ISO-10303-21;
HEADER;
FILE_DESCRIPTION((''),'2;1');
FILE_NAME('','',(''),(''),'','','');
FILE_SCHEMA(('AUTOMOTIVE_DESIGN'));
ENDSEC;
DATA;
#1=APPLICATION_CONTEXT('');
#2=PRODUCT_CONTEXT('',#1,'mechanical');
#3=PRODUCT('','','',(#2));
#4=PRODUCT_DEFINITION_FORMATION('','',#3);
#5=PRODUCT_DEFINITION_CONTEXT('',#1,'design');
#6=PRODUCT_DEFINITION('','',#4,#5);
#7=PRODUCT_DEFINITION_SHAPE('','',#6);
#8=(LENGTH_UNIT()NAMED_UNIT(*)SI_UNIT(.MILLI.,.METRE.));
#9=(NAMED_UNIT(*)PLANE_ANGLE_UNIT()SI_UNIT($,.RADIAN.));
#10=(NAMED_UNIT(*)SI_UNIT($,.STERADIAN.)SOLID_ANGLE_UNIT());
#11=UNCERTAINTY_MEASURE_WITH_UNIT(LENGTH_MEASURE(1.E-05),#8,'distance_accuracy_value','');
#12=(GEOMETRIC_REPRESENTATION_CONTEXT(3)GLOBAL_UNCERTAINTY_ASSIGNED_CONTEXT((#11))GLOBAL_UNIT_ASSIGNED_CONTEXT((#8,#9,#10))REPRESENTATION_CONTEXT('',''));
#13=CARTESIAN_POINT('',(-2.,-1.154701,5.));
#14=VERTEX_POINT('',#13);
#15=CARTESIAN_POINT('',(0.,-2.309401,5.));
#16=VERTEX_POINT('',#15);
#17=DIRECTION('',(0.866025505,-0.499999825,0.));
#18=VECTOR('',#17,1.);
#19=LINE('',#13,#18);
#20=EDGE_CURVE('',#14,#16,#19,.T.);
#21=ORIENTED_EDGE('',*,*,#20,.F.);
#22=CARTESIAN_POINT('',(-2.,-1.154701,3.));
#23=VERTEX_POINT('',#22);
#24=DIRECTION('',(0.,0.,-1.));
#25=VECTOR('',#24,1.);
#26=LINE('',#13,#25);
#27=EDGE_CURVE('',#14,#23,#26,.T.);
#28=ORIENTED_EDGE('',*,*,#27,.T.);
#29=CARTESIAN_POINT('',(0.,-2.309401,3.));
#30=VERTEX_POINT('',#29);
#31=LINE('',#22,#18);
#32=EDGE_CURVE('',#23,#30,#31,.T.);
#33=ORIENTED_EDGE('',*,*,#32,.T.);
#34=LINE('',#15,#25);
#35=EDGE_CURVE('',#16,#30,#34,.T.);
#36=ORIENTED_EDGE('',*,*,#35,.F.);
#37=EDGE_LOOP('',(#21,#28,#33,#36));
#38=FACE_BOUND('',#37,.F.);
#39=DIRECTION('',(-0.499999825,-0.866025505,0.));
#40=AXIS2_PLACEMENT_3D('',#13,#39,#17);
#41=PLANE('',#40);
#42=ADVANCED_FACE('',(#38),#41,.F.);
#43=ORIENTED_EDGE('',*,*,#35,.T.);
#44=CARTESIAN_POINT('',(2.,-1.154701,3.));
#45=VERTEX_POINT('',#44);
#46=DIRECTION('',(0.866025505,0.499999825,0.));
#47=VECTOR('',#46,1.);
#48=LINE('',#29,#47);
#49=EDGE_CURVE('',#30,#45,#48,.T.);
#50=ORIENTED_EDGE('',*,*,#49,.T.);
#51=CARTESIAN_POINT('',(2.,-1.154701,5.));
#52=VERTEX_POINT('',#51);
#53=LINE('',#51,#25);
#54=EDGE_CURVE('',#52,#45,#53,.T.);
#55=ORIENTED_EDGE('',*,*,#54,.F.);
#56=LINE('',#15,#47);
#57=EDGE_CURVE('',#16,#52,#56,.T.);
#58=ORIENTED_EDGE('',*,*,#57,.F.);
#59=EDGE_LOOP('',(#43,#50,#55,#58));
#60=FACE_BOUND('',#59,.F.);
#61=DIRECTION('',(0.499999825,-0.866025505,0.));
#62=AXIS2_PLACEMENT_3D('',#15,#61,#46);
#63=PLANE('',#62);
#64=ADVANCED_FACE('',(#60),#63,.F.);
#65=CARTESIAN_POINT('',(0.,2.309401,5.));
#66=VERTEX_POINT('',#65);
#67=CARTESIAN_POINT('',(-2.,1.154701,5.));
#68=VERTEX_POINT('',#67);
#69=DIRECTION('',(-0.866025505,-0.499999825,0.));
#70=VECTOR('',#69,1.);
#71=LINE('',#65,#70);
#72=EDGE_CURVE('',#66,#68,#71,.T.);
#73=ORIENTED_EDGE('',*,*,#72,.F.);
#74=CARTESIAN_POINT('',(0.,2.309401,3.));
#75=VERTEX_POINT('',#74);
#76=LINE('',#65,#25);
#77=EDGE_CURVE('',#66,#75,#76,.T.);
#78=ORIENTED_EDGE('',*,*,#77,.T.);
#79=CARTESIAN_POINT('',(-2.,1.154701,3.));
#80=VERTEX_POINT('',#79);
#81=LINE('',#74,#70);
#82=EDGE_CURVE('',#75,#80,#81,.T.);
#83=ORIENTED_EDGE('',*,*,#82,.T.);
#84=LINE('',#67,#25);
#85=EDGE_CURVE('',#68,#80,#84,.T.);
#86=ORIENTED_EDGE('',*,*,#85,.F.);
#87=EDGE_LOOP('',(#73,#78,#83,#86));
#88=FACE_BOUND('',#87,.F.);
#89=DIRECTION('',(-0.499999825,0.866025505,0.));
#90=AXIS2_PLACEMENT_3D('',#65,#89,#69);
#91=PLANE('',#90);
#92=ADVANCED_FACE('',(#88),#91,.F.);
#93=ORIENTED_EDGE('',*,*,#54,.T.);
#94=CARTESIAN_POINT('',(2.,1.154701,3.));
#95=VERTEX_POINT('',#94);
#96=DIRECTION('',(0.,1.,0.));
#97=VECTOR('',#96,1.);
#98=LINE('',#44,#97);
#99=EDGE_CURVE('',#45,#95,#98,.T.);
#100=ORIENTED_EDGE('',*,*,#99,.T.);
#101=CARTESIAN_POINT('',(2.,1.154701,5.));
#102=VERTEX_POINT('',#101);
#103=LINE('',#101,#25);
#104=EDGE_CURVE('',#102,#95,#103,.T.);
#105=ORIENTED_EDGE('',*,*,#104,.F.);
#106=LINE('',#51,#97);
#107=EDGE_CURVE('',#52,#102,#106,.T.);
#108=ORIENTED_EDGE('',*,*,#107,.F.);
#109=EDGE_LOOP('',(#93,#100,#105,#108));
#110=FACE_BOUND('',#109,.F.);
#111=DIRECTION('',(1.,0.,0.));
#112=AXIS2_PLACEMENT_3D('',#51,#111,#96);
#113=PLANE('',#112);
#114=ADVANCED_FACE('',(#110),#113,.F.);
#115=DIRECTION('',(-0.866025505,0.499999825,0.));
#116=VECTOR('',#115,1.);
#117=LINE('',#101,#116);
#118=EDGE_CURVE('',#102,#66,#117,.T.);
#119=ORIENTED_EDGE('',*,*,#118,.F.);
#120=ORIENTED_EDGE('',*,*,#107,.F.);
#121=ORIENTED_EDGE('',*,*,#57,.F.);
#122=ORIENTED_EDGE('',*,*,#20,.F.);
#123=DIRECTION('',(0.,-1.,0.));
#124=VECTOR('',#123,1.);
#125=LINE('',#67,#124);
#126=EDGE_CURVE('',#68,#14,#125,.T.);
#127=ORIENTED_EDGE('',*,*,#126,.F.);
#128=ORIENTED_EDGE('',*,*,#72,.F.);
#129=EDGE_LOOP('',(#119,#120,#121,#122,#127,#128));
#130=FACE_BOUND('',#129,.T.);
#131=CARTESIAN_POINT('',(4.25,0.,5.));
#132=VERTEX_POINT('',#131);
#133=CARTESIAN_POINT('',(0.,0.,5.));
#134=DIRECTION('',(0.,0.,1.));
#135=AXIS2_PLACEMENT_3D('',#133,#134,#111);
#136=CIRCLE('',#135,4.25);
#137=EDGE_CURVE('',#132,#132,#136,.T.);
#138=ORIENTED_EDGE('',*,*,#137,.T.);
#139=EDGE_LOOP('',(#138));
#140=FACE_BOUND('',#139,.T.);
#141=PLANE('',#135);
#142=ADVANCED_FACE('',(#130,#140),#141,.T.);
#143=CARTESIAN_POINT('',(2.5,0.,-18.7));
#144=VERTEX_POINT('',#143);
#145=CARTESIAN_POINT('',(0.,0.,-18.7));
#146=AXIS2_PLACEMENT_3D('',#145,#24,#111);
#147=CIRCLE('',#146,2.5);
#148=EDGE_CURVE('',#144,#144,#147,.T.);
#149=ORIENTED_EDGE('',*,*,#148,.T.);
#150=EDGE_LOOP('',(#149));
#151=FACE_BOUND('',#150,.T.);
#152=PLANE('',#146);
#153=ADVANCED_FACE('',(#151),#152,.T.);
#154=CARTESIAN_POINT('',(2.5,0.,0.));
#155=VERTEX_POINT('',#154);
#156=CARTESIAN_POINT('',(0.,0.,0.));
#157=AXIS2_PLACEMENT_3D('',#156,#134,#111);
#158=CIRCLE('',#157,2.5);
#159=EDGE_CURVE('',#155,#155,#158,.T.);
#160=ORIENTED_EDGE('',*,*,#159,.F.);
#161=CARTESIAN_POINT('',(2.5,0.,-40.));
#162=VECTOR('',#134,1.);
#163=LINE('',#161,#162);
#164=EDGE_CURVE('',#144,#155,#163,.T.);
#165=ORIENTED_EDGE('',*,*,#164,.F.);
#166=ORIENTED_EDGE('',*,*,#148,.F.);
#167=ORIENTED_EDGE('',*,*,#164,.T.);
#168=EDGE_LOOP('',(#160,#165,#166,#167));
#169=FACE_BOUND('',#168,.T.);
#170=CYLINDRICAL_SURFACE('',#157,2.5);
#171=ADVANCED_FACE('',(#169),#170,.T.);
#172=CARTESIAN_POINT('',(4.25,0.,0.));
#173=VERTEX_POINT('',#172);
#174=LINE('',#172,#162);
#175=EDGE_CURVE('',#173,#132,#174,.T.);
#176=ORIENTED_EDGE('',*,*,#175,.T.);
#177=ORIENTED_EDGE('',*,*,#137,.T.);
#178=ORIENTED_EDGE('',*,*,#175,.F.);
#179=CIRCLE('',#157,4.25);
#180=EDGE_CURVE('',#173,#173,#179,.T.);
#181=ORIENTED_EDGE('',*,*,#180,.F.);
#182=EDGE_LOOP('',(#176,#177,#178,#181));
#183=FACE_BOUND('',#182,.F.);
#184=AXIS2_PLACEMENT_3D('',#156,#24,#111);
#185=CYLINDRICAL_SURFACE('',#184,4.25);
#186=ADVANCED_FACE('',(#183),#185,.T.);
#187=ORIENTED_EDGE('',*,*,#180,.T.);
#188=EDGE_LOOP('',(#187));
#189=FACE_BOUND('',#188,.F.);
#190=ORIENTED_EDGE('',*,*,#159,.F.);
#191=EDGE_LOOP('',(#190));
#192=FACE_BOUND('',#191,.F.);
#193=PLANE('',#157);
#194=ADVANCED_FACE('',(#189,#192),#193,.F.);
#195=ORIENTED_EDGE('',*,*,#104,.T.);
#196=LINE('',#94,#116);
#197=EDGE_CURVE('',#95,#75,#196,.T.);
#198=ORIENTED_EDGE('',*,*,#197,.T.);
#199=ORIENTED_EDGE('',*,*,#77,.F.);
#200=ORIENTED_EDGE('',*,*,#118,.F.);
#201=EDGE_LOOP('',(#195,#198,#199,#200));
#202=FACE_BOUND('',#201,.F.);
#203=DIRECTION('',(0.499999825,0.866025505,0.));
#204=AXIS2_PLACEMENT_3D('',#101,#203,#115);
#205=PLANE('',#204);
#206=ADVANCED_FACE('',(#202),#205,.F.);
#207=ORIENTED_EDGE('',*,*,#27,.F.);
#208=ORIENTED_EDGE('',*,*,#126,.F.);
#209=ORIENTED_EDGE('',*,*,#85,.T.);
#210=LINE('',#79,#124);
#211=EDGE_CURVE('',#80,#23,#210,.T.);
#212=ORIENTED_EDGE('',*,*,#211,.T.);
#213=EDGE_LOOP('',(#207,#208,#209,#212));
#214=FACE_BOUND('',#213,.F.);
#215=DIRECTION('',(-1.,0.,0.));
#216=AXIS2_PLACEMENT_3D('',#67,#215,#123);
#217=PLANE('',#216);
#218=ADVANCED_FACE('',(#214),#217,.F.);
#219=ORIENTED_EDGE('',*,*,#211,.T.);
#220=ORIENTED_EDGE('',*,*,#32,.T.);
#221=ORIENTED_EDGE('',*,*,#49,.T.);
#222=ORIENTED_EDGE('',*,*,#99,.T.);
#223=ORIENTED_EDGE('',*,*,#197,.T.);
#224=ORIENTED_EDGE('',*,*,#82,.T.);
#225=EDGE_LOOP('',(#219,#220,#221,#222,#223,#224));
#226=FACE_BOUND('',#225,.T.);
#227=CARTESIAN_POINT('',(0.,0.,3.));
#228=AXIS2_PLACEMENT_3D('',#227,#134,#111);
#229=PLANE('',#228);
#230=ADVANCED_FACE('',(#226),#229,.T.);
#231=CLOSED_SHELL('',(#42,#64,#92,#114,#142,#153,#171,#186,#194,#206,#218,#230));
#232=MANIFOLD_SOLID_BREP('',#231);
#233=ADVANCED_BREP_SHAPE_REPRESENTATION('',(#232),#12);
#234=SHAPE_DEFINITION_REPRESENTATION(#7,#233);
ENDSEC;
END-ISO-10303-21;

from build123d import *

# Parameters (mm, degrees)
F0_R      = 4.25
F1_DEPTH  = 5
F3_DEPTH  = 2
F4_R      = 2.5
F5_DEPTH  = 40
F5_FACE_R = 2.5
F6_DEPTH  = 22.7
F7_DEPTH  = 21.3


with BuildPart() as f1:
    # F0 (on Top) → F1 (new body)
    with BuildSketch(Plane.XY):
        Circle(F0_R)
    extrude(amount=F1_DEPTH)

    # F2 (on face) → F3 (cut)
    with BuildSketch(Plane.XY.offset(5)):
        Polygon((2, -1.154701), (2, 1.154701), (0, 2.309401), (-2, 1.154701), (-2, -1.154701), (0, -2.309401), align=None)
    extrude(amount=-F3_DEPTH, mode=Mode.SUBTRACT)

    # F4 (on Top) → F5 (join)
    with BuildSketch(Plane.XY):
        Circle(F4_R)
    extrude(amount=-F5_DEPTH)

    # F5_face (on face) → F6 (join)
    with BuildSketch(Plane(origin=(0, 0, -40), x_dir=(1, 0, 0), z_dir=(0, 0, -1))):
        Circle(F5_FACE_R)
    extrude(amount=-F6_DEPTH)

    # F5_face (on face) → F7 (cut)
    with BuildSketch(Plane(origin=(0, 0, -40), x_dir=(1, 0, 0), z_dir=(0, 0, -1))):
        Circle(F5_FACE_R)
    extrude(amount=-F7_DEPTH, mode=Mode.SUBTRACT)


solid = f1.part
